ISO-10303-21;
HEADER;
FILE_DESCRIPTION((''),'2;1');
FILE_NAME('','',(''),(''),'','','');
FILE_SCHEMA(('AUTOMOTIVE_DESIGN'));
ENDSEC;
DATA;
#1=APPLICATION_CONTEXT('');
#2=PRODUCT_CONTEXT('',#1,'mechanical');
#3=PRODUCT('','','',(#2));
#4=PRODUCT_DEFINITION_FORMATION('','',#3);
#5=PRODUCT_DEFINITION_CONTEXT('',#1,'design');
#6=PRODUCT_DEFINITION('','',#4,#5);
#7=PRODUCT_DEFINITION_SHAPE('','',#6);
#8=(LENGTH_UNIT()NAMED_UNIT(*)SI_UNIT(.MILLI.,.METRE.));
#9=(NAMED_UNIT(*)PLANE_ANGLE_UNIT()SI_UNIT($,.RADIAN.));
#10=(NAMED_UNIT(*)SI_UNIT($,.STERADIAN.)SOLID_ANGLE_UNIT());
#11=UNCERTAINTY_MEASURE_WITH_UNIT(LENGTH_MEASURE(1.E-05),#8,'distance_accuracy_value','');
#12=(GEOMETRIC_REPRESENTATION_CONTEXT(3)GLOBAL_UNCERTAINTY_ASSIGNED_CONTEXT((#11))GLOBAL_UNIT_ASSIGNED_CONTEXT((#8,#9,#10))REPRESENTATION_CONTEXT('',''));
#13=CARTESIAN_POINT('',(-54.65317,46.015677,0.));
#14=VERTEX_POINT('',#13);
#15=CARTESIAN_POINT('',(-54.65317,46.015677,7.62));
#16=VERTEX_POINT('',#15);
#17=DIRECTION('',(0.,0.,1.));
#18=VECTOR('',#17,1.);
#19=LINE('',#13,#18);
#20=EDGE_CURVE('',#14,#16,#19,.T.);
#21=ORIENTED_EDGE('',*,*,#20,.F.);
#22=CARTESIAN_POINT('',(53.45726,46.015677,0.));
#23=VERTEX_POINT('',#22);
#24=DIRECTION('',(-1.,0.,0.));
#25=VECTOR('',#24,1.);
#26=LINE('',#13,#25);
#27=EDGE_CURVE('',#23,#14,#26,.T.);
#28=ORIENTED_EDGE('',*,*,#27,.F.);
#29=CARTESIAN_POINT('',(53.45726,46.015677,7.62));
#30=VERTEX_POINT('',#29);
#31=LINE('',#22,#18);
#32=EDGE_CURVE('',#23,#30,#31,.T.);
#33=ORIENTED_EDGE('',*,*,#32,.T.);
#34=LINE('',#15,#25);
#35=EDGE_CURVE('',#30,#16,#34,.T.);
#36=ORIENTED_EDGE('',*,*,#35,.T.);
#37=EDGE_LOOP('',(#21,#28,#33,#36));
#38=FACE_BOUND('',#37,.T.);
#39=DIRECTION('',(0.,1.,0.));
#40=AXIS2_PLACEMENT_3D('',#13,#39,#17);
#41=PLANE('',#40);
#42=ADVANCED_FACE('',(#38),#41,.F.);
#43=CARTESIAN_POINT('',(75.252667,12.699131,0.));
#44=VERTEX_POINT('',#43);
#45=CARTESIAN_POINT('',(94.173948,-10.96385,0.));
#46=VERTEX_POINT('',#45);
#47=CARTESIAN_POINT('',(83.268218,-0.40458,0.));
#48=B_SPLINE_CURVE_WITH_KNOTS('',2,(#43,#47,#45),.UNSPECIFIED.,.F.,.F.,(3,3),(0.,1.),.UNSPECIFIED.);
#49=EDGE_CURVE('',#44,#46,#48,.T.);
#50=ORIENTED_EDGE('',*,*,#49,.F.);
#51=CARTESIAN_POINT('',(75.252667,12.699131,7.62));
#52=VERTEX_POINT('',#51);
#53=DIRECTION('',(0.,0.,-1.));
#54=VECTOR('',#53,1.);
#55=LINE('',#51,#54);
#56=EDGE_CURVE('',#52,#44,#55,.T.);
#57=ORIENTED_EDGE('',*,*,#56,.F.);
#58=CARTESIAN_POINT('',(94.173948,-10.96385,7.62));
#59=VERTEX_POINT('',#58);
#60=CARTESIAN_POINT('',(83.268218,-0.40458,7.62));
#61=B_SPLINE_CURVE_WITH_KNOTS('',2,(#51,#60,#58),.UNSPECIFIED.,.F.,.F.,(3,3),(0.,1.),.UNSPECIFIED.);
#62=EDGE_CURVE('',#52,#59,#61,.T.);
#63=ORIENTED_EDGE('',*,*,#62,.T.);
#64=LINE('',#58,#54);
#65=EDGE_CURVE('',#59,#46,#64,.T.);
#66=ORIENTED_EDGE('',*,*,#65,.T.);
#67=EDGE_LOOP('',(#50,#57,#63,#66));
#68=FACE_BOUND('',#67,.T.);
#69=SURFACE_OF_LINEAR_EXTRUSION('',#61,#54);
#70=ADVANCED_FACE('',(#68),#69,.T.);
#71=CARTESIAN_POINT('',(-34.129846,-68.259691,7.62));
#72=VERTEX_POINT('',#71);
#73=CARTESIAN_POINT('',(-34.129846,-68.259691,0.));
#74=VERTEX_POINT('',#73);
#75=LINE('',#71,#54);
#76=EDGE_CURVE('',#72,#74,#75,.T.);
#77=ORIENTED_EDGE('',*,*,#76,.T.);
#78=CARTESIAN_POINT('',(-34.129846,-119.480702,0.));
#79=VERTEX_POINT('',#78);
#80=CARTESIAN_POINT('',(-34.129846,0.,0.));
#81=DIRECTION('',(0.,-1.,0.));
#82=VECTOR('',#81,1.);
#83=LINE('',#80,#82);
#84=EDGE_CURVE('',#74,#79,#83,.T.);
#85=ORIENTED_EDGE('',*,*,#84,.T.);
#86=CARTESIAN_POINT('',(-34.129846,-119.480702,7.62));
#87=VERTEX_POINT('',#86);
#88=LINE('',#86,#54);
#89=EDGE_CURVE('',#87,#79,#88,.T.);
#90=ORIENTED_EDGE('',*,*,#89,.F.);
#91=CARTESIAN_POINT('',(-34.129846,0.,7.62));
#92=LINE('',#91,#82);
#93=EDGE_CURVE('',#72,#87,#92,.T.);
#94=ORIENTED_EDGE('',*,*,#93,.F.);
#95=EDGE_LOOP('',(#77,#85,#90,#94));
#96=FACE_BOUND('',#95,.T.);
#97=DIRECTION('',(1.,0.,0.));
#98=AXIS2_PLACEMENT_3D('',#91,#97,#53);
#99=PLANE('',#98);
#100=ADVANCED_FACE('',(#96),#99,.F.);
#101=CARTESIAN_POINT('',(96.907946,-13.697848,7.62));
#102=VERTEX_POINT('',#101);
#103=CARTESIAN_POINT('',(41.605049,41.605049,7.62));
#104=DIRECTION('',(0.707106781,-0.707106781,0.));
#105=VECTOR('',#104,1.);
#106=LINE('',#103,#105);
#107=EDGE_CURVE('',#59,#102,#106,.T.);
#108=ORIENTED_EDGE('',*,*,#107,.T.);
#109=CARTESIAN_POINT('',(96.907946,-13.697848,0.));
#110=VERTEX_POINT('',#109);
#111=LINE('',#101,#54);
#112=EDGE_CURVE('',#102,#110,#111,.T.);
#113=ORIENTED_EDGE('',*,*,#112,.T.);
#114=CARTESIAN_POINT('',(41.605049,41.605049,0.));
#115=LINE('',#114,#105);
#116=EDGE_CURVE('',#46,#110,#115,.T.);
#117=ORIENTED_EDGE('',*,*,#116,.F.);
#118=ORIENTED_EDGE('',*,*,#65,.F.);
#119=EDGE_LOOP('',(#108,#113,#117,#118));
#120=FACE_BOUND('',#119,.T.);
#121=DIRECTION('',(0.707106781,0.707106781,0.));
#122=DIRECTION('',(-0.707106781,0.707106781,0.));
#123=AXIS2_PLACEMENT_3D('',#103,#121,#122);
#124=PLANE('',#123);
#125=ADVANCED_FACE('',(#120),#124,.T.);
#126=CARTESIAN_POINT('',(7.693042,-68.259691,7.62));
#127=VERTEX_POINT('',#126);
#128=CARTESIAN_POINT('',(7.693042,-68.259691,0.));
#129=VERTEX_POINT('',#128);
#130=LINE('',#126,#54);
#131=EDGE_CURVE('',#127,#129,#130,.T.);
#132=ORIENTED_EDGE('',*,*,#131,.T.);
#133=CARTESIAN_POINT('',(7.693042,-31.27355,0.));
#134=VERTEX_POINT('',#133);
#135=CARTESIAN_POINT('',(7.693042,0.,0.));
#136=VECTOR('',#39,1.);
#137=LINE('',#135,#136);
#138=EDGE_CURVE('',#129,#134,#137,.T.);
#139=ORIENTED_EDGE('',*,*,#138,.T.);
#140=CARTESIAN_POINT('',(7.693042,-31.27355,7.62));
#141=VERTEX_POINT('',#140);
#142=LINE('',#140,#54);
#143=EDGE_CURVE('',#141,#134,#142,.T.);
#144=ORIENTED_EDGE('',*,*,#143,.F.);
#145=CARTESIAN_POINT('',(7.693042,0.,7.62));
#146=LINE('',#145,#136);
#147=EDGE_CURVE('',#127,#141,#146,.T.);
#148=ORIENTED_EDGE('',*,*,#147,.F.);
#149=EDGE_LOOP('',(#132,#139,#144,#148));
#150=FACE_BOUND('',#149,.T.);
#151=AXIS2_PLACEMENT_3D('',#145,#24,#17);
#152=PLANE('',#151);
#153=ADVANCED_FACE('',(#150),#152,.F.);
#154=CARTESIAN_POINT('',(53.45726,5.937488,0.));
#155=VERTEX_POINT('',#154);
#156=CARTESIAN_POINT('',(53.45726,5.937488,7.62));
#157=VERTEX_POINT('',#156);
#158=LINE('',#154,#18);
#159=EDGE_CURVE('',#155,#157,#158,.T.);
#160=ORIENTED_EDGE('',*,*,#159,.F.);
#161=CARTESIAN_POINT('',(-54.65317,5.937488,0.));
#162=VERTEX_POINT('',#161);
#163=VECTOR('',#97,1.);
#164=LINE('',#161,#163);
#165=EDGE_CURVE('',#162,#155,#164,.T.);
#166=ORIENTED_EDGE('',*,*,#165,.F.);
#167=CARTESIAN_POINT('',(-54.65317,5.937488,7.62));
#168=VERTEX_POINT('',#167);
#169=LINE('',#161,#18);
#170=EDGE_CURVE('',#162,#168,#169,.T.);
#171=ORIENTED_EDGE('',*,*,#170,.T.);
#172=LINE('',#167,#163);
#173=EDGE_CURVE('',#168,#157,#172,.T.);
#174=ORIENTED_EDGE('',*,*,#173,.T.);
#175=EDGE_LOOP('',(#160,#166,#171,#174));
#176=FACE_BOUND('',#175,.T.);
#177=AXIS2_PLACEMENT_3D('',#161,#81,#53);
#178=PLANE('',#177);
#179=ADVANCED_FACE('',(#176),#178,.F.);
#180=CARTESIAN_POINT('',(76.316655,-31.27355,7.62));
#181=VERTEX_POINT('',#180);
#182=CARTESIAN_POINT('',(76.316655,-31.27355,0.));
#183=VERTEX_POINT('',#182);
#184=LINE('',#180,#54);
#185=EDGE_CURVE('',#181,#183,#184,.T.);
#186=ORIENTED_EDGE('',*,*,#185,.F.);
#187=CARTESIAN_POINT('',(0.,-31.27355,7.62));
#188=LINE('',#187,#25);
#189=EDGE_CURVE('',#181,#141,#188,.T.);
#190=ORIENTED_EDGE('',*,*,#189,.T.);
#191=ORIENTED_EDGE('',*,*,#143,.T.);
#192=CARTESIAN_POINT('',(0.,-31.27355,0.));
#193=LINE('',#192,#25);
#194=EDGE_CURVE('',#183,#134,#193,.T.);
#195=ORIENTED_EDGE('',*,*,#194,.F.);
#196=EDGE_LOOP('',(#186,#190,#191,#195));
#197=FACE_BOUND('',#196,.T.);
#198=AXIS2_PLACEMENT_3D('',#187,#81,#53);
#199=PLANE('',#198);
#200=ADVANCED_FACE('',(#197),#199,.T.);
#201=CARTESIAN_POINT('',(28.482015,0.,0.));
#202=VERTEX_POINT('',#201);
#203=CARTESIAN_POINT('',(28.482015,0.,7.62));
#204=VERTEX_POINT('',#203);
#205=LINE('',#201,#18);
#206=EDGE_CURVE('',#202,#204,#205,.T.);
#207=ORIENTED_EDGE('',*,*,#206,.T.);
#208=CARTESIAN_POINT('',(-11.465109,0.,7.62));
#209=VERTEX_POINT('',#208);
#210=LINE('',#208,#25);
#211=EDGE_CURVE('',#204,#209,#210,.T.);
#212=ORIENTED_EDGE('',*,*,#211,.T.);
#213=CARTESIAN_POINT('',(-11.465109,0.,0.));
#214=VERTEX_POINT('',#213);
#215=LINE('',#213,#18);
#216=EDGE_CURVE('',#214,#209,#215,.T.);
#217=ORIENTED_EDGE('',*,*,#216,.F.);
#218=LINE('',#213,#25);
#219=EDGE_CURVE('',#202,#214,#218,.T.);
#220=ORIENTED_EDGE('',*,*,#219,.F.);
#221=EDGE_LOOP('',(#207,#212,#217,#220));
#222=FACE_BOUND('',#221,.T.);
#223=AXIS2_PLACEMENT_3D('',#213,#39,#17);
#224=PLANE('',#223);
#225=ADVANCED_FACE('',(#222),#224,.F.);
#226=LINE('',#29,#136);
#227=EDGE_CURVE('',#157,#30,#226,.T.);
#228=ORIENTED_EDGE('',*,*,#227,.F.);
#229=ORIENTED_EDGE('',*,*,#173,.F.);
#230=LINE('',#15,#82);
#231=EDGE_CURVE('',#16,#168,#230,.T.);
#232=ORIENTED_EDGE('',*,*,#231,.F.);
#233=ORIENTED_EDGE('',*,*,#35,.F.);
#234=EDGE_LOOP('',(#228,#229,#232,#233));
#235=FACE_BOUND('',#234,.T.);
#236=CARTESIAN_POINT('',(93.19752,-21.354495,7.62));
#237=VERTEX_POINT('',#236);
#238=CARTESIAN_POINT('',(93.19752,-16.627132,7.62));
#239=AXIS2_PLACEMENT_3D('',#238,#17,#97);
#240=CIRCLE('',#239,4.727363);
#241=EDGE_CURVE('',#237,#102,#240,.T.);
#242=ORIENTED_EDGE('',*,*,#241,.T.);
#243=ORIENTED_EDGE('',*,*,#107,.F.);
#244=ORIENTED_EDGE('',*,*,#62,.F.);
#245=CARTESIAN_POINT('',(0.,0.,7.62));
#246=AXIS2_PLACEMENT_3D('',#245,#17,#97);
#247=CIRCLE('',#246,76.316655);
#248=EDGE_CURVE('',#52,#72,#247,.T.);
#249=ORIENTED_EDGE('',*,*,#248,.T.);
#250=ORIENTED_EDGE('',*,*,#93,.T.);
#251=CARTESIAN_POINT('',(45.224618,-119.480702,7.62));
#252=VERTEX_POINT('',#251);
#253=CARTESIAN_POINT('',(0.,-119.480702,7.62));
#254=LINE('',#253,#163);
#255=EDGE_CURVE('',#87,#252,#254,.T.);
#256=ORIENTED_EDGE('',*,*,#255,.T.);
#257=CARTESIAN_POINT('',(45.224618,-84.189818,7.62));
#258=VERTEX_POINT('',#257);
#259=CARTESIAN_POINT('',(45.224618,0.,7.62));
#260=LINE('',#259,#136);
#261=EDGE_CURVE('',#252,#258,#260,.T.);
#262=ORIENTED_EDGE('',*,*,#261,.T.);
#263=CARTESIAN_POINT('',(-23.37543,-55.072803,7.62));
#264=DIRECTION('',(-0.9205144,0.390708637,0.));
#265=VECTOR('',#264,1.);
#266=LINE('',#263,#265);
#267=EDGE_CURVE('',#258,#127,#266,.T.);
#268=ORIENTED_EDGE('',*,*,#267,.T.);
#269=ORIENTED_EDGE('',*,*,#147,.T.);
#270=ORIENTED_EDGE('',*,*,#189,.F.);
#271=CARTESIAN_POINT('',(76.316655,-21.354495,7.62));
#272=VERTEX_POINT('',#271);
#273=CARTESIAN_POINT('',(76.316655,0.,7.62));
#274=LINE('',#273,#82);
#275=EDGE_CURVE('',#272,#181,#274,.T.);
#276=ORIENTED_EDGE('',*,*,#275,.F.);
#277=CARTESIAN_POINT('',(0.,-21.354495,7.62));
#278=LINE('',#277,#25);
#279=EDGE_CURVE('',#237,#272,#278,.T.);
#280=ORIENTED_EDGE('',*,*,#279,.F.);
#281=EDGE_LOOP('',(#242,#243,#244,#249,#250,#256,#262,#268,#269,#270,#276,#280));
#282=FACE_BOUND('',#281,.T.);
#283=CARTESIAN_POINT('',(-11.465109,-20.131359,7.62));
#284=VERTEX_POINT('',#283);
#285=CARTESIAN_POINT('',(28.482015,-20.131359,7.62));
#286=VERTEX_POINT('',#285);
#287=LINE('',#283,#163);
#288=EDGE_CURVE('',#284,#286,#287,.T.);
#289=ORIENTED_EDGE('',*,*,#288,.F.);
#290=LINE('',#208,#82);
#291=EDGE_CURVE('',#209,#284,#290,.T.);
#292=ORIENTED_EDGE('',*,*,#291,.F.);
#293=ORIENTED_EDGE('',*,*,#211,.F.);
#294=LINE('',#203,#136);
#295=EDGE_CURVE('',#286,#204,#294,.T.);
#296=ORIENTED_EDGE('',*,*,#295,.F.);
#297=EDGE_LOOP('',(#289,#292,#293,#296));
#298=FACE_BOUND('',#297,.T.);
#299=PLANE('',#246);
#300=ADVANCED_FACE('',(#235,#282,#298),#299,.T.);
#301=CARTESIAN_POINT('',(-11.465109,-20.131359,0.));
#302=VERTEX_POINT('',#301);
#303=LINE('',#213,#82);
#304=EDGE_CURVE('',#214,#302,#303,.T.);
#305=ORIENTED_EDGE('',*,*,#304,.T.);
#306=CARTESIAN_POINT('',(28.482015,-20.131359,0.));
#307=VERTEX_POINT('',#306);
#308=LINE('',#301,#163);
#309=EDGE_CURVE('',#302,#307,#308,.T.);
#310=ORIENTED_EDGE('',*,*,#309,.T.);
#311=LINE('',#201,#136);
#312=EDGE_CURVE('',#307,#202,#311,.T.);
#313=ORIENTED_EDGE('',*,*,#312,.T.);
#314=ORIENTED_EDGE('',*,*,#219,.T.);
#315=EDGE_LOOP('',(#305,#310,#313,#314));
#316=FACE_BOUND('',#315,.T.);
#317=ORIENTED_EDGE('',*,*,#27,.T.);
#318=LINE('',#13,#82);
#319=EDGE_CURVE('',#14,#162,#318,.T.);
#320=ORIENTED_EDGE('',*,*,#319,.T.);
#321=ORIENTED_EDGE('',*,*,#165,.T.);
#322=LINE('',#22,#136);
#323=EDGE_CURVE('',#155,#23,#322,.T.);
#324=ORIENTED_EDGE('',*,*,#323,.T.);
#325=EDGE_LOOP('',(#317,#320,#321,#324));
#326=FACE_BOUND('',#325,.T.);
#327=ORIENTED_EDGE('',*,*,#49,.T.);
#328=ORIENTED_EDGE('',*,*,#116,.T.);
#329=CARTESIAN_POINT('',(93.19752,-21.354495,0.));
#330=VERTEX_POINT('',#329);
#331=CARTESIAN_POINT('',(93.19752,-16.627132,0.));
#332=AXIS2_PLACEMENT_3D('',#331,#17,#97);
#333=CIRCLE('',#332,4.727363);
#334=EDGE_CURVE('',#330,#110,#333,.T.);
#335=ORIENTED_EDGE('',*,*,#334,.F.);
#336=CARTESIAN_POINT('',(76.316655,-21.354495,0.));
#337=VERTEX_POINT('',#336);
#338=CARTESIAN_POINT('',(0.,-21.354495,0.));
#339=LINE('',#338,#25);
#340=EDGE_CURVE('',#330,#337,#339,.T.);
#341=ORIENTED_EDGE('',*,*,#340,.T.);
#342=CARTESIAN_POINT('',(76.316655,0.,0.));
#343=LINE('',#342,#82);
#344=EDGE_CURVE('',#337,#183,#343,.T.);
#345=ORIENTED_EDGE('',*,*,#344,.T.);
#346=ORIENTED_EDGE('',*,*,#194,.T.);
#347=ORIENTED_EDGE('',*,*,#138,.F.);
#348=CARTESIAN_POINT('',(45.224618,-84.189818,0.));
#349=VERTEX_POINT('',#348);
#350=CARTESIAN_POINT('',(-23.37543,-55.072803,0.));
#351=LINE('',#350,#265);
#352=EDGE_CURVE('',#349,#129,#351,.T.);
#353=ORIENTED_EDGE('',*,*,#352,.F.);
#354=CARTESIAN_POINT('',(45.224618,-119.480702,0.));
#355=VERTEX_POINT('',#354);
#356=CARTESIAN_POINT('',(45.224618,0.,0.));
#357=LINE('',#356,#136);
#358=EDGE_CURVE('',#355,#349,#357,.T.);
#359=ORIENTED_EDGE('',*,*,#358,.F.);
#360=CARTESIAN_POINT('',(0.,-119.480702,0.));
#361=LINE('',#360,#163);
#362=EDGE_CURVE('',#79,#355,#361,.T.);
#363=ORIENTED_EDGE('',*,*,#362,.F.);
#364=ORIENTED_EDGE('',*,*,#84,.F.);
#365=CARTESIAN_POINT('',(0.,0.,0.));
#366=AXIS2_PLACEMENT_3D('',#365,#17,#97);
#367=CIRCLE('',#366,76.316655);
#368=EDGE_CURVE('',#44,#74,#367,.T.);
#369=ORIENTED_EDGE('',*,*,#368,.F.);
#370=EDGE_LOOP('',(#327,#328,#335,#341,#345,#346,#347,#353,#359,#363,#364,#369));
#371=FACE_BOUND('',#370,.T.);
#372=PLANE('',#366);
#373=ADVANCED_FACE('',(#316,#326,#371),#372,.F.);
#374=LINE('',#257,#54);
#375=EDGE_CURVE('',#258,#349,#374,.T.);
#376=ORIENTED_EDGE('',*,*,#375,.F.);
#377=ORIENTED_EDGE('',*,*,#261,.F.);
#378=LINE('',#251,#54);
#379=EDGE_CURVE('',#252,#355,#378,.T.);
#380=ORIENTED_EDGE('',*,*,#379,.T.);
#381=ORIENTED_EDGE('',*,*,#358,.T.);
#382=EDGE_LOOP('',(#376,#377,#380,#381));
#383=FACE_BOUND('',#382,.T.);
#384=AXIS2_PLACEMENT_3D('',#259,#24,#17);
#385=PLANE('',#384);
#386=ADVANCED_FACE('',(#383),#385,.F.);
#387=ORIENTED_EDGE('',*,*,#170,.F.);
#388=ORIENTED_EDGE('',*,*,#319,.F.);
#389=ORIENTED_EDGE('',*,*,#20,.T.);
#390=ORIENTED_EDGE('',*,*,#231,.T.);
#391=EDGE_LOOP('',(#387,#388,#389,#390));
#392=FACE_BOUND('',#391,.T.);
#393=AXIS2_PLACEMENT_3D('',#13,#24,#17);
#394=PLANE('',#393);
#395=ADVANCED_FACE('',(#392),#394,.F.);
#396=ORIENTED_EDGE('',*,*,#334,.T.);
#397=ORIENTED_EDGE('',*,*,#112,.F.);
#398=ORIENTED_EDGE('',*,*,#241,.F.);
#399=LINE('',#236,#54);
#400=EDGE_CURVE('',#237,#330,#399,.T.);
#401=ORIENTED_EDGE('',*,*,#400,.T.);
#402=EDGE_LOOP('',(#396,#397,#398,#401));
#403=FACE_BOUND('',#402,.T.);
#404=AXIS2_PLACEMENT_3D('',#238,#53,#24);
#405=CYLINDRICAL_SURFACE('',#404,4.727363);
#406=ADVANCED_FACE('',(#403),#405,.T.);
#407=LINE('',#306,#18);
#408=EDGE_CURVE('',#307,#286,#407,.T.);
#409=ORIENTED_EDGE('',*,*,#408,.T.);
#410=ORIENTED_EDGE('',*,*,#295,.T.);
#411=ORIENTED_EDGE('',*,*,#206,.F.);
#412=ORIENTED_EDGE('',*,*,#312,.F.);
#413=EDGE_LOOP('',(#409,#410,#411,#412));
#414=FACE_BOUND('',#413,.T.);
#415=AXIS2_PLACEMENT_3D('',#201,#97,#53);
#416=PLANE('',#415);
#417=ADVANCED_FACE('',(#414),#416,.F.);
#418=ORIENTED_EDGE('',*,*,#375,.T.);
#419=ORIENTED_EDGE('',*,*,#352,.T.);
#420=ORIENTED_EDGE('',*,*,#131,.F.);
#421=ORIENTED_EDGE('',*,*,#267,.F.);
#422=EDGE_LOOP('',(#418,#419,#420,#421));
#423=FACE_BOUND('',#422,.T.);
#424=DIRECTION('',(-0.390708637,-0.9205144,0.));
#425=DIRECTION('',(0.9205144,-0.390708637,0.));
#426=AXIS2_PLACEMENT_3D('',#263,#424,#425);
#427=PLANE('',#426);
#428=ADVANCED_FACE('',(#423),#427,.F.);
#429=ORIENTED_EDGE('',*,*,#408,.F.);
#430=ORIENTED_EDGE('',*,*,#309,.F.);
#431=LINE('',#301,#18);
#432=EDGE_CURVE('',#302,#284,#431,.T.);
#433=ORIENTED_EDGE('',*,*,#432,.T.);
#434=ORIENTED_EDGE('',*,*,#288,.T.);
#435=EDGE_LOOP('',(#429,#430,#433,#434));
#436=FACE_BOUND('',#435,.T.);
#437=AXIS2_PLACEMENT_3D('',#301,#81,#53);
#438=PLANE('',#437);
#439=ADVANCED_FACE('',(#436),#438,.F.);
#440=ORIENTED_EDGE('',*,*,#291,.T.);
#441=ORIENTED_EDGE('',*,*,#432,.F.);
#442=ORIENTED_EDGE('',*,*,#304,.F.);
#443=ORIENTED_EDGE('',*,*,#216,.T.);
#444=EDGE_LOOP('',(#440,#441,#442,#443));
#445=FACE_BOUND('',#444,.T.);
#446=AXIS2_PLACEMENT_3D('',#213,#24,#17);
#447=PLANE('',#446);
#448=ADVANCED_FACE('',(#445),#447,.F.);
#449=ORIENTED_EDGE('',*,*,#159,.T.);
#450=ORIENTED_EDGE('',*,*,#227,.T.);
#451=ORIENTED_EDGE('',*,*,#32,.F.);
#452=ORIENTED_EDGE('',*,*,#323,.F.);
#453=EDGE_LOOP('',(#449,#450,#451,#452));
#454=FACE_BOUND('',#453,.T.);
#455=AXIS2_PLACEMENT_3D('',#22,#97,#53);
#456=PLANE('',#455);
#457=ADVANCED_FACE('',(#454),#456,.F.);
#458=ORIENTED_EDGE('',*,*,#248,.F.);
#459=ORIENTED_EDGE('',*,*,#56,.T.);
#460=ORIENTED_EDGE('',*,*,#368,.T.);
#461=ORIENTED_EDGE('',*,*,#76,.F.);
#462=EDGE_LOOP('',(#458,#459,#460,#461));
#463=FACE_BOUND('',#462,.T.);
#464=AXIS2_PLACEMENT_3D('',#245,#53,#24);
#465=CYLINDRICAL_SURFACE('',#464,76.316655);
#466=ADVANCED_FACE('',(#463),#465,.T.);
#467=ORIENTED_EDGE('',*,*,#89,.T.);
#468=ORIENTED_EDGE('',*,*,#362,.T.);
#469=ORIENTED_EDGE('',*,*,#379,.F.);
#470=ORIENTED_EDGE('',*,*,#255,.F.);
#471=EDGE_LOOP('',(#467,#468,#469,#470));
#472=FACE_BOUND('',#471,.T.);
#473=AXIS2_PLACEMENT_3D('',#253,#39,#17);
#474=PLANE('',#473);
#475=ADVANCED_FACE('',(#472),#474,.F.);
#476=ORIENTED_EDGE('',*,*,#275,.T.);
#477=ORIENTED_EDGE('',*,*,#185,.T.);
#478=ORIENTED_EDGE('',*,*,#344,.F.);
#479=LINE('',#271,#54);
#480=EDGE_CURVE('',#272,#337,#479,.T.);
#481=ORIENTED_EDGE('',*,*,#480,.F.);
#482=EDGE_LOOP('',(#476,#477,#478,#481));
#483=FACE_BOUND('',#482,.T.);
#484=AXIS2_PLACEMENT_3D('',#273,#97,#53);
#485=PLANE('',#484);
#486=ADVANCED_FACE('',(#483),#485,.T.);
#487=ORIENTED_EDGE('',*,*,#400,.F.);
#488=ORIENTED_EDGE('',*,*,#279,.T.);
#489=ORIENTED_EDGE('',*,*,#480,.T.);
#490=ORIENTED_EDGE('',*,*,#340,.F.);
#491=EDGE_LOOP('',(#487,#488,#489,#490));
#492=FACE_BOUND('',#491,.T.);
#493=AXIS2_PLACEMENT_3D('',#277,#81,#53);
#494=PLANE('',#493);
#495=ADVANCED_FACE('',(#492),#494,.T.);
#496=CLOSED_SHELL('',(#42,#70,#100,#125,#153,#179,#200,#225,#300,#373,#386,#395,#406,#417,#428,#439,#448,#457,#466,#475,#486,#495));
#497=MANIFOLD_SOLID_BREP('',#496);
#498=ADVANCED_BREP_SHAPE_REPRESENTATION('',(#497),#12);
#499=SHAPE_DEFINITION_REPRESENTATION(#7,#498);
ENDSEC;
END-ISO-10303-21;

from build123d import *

# Parameters (mm, degrees)
BOSS_EXTRUDE3_DEPTH = 7.62
SKETCH6_W           = 108.110429846
SKETCH6_H           = 40.078189215
SKETCH6_W_2         = 39.947123602
SKETCH6_H_2         = 20.1313586
CUT_EXTRUDE5_DEPTH  = 7.62


with BuildPart() as part:
    # Sketch2 → Boss-Extrude3 (new body)
    with BuildSketch(Plane.XY):
        with BuildLine():
            Line((96.126803593, -12.916705994), (94.17394782, -10.963850221))
            add(Edge.make_bspline(
                [(75.252666665, 12.699131487), (83.268217656, -0.404579698), (94.17394782, -10.963850221)],
                knots=[0, 0, 0, 1, 1, 1], degree=2))
            ThreePointArc((75.252666665, 12.699131487), (-45.402140278, 61.342297308), (-34.129845534, -68.259691067))
            Line((-34.129845534, -68.259691067), (-34.129845534, -119.480702222))
            Line((-34.129845534, -119.480702222), (45.224618014, -119.480702222))
            Line((45.224618014, -119.480702222), (45.224618014, -84.189817543))
            Line((45.224618014, -84.189817543), (7.693042244, -68.259691067))
            Line((7.693042244, -68.259691067), (7.693042244, -31.273550257))
            Line((7.693042244, -31.273550257), (76.316654675, -31.273550257))
            Line((76.316654675, -31.273550257), (76.316654675, -21.354495246))
            Line((76.316654675, -21.354495246), (93.197519934, -21.354495246))
            ThreePointArc((93.197519934, -21.354495246), (97.451679759, -18.688706069), (96.907945902, -13.697848303))
            Line((96.907945902, -13.697848303), (96.126803593, -12.916705994))
        make_face()
    extrude(amount=BOSS_EXTRUDE3_DEPTH)

    # Sketch6 → Cut-Extrude5 (cut)
    with BuildSketch(Plane.XY.offset(7.62)):
        with Locations((-0.597955264, 25.976582243)):
            Rectangle(SKETCH6_W, SKETCH6_H)
        with Locations((8.508452954, -10.0656793)):
            Rectangle(SKETCH6_W_2, SKETCH6_H_2)
    extrude(amount=-CUT_EXTRUDE5_DEPTH, mode=Mode.SUBTRACT)


solid = part.part
